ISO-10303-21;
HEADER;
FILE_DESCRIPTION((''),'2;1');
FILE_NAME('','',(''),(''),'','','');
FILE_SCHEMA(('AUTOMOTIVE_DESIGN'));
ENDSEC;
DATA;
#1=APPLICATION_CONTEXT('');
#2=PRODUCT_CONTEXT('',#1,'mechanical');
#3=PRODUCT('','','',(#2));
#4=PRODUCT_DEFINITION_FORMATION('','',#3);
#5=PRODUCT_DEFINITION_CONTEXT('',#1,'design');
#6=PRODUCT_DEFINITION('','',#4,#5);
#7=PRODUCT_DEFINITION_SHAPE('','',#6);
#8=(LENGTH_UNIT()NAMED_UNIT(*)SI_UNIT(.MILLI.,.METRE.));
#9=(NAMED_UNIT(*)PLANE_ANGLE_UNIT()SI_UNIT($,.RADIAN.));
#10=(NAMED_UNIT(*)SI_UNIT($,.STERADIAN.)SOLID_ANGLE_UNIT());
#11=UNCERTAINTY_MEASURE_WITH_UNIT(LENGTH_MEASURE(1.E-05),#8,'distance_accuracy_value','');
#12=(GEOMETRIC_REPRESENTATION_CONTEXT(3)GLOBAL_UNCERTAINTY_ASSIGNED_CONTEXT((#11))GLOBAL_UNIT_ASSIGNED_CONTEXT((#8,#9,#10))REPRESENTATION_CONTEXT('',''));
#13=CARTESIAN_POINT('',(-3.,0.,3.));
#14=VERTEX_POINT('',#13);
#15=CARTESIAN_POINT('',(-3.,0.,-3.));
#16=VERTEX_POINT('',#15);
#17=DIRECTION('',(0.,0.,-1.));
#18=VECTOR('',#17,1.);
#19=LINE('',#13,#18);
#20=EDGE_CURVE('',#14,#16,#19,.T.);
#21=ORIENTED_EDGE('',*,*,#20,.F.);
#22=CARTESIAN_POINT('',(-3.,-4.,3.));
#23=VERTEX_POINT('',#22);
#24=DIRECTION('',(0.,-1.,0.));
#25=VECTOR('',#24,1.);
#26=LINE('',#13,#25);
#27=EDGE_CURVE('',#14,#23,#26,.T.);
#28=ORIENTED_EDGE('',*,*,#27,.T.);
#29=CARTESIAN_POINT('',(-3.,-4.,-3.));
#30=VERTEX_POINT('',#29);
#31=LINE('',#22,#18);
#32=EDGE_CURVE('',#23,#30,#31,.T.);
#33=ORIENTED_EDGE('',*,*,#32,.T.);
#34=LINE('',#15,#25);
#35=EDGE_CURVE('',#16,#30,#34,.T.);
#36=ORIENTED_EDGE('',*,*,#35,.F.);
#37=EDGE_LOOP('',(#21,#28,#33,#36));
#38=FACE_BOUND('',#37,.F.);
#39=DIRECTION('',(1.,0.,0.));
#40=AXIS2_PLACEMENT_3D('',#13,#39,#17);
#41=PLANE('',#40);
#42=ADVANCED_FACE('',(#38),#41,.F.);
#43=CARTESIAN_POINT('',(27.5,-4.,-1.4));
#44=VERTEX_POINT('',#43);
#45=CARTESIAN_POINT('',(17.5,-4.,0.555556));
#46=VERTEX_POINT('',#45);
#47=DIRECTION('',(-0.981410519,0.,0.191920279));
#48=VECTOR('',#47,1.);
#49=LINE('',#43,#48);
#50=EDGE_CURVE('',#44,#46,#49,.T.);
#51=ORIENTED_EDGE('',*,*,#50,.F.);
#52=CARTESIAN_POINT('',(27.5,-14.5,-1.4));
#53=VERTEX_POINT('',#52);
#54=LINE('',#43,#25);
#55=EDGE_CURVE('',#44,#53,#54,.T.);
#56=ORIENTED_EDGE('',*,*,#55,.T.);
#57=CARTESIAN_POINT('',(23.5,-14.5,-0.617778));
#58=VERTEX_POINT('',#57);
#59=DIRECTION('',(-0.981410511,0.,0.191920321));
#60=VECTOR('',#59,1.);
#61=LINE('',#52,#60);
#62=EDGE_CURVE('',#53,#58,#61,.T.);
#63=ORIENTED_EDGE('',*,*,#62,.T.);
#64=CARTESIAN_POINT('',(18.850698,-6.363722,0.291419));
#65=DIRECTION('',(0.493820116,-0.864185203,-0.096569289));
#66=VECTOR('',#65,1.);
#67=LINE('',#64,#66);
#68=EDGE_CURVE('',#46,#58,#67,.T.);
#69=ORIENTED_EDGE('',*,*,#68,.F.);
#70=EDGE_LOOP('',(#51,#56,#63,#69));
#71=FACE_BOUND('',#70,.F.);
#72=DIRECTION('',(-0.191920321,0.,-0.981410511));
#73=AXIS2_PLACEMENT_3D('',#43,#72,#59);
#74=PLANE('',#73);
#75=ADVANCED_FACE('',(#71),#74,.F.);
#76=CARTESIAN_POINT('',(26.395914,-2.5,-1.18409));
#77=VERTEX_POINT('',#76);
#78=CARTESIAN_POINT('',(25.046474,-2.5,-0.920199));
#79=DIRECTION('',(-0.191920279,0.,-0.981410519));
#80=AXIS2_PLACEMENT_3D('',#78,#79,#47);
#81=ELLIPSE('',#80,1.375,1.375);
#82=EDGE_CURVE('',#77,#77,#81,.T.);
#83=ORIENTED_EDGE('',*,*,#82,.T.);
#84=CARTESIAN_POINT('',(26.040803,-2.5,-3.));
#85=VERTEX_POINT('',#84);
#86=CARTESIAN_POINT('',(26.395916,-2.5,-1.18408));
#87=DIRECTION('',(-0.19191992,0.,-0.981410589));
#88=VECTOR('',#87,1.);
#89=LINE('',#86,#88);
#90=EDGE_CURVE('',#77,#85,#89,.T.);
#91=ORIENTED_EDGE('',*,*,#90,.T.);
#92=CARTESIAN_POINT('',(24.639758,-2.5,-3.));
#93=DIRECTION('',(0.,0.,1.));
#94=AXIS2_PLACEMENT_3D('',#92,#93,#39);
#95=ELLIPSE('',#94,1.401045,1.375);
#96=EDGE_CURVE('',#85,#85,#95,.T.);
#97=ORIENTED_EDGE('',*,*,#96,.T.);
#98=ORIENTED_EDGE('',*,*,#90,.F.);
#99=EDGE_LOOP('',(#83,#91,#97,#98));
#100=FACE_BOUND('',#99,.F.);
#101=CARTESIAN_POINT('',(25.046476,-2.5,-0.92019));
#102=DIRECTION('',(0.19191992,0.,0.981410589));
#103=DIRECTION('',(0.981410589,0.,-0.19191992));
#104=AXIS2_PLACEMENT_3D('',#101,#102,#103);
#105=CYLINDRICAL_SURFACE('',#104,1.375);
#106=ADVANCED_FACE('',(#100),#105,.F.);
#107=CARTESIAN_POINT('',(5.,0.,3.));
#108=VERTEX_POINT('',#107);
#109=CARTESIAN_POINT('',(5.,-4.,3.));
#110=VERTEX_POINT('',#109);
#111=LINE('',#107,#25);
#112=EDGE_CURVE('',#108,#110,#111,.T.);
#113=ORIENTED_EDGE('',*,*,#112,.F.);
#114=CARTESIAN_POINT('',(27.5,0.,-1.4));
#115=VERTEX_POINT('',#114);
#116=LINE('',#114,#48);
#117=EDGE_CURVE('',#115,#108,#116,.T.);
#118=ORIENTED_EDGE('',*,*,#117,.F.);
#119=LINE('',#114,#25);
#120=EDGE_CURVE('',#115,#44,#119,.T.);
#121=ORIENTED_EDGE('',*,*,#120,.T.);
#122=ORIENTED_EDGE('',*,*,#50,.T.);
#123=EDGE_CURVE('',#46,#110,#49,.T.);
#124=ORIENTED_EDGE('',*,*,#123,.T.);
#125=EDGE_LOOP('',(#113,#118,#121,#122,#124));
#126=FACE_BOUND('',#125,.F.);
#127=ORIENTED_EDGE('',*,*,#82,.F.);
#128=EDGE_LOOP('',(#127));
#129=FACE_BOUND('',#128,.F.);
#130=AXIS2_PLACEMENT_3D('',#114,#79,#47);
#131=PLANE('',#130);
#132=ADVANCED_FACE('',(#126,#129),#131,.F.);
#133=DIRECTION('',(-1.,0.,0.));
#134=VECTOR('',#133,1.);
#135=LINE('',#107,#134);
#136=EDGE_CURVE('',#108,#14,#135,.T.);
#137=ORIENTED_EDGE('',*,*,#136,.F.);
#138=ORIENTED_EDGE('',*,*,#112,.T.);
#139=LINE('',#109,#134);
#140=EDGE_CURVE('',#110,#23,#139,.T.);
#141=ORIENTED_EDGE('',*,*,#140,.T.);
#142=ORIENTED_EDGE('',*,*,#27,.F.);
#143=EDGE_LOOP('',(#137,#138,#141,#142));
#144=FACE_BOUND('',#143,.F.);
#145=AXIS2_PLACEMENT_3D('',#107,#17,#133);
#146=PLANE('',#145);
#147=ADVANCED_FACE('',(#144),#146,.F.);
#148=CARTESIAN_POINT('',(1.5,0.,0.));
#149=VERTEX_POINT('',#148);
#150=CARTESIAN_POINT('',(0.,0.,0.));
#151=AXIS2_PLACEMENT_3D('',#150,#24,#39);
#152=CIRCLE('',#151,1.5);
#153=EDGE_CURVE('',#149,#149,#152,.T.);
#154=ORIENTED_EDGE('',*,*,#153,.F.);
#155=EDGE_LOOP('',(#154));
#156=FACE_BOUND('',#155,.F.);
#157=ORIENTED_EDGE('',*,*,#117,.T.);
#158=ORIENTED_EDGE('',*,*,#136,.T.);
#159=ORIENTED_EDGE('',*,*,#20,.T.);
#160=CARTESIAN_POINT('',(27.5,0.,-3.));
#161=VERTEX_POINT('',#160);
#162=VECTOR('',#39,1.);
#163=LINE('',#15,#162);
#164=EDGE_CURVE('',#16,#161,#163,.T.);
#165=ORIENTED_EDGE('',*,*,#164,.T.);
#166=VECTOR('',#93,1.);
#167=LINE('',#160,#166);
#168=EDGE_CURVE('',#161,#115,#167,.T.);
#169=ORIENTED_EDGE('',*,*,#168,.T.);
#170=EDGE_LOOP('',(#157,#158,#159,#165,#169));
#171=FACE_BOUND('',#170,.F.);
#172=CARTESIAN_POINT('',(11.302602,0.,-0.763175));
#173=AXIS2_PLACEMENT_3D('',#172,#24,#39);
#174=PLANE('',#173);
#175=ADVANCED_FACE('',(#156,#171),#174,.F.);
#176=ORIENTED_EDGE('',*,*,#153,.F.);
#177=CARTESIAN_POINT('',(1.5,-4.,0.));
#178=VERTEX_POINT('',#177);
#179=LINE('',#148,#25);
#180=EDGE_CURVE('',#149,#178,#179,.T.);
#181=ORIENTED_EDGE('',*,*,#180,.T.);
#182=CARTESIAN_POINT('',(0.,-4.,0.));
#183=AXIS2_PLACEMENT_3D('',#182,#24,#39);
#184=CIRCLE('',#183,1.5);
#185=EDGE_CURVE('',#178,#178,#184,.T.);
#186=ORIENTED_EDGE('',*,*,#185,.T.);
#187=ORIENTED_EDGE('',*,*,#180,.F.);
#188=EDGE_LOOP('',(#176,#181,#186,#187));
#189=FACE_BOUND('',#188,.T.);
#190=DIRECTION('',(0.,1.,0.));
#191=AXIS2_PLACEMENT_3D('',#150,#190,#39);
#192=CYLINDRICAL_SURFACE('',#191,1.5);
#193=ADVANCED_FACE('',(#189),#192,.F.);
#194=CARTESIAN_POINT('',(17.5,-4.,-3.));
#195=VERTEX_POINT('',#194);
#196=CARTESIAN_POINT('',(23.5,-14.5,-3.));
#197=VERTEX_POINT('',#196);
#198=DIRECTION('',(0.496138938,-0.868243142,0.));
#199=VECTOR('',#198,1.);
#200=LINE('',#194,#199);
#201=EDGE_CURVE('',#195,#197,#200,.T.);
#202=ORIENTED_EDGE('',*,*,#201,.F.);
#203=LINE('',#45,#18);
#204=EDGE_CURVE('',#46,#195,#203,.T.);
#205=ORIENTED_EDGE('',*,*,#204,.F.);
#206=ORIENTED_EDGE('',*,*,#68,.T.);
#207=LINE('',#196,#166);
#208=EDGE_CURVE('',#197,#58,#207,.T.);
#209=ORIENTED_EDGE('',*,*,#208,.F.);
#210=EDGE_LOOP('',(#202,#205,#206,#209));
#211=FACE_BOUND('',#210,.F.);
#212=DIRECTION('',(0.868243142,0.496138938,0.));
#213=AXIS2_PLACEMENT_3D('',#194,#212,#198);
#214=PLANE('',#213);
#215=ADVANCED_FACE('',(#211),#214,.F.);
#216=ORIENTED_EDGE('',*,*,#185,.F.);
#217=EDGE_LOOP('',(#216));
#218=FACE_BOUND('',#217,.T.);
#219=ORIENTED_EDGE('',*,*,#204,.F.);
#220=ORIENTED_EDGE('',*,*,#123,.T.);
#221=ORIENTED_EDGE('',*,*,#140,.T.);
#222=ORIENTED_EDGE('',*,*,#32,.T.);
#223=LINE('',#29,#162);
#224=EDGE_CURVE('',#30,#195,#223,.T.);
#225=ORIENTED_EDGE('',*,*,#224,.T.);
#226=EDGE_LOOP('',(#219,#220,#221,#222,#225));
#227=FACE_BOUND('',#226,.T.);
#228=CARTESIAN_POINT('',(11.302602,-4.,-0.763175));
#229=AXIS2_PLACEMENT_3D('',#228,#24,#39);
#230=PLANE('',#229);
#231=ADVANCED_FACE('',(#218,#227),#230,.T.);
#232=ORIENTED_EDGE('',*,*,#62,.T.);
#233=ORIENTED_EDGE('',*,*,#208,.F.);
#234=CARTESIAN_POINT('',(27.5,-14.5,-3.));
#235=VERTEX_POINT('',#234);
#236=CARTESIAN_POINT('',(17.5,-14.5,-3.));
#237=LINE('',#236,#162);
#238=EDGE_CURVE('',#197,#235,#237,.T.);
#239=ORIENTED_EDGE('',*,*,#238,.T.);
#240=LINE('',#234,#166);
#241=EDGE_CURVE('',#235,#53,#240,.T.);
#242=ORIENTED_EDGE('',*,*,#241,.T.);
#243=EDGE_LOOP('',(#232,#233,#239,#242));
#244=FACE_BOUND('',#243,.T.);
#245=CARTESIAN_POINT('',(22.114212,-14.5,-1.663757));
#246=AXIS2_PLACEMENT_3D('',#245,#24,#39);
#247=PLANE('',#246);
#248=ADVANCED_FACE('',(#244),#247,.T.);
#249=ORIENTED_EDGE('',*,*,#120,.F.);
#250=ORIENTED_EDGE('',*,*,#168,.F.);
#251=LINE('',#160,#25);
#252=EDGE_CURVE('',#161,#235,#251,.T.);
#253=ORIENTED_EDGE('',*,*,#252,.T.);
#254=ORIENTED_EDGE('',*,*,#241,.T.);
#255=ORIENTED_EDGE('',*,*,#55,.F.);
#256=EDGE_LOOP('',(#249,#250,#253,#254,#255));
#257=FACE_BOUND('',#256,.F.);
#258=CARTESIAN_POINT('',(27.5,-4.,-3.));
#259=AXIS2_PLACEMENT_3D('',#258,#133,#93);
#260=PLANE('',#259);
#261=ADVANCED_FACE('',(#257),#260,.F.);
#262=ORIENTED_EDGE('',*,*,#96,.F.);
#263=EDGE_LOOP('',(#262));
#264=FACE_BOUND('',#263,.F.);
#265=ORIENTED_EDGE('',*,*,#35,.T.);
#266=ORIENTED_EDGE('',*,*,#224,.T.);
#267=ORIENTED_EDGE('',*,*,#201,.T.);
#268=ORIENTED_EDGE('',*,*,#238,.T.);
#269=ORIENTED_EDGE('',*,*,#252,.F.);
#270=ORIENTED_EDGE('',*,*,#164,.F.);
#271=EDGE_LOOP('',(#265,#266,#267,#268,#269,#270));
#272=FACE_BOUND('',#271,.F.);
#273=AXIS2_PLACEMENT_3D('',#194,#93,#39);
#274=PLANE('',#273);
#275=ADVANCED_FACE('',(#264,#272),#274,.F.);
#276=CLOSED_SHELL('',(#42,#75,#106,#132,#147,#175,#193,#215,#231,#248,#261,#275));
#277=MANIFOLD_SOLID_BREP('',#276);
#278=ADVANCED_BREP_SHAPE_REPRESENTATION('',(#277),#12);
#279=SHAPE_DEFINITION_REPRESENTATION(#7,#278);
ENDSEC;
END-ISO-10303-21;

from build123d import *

# Parameters (mm, degrees)
F0_R     = 1.5
F1_DEPTH = 4
F3_DEPTH = 10.5
F5_DEPTH = 6.001
F6_R     = 1.375
F7_DEPTH = 7.424825


with BuildPart() as f1:
    # F0 (on Front) → F1 (new body)
    with BuildSketch(Plane.XZ):
        Polygon((5, 3), (-3, 3), (-3, -3), (27.5, -3), (27.5, -1.4), align=None)
        Circle(F0_R, mode=Mode.SUBTRACT)
    extrude(amount=F1_DEPTH)

    # F2 (on face) → F3 (join)
    with BuildSketch(Plane.XZ.offset(4)):
        Polygon((17.5, -3), (27.5, -3), (27.5, -1.4), (17.5, 0.555556), align=None)
    extrude(amount=F3_DEPTH)

    # F4 (on face) → F5 (cut, through all)
    with BuildSketch(Plane(origin=(0, 0, -3), x_dir=(1, 0, 0), z_dir=(0, 0, -1))):
        Polygon((23.5, 14.5), (17.5, 14.5), (17.5, 4), align=None)
    extrude(amount=-F5_DEPTH, mode=Mode.SUBTRACT)

    # F6 (on face) → F7 (cut, through all)
    with BuildSketch(Plane(origin=(0.749225, 0, 3.831263), x_dir=(0.981411, 0, -0.19192), z_dir=(0.19192, 0, 0.981411))):
        with Locations((24.757478, -2.5)):
            Circle(F6_R)
    extrude(amount=-F7_DEPTH, mode=Mode.SUBTRACT)


solid = f1.part
